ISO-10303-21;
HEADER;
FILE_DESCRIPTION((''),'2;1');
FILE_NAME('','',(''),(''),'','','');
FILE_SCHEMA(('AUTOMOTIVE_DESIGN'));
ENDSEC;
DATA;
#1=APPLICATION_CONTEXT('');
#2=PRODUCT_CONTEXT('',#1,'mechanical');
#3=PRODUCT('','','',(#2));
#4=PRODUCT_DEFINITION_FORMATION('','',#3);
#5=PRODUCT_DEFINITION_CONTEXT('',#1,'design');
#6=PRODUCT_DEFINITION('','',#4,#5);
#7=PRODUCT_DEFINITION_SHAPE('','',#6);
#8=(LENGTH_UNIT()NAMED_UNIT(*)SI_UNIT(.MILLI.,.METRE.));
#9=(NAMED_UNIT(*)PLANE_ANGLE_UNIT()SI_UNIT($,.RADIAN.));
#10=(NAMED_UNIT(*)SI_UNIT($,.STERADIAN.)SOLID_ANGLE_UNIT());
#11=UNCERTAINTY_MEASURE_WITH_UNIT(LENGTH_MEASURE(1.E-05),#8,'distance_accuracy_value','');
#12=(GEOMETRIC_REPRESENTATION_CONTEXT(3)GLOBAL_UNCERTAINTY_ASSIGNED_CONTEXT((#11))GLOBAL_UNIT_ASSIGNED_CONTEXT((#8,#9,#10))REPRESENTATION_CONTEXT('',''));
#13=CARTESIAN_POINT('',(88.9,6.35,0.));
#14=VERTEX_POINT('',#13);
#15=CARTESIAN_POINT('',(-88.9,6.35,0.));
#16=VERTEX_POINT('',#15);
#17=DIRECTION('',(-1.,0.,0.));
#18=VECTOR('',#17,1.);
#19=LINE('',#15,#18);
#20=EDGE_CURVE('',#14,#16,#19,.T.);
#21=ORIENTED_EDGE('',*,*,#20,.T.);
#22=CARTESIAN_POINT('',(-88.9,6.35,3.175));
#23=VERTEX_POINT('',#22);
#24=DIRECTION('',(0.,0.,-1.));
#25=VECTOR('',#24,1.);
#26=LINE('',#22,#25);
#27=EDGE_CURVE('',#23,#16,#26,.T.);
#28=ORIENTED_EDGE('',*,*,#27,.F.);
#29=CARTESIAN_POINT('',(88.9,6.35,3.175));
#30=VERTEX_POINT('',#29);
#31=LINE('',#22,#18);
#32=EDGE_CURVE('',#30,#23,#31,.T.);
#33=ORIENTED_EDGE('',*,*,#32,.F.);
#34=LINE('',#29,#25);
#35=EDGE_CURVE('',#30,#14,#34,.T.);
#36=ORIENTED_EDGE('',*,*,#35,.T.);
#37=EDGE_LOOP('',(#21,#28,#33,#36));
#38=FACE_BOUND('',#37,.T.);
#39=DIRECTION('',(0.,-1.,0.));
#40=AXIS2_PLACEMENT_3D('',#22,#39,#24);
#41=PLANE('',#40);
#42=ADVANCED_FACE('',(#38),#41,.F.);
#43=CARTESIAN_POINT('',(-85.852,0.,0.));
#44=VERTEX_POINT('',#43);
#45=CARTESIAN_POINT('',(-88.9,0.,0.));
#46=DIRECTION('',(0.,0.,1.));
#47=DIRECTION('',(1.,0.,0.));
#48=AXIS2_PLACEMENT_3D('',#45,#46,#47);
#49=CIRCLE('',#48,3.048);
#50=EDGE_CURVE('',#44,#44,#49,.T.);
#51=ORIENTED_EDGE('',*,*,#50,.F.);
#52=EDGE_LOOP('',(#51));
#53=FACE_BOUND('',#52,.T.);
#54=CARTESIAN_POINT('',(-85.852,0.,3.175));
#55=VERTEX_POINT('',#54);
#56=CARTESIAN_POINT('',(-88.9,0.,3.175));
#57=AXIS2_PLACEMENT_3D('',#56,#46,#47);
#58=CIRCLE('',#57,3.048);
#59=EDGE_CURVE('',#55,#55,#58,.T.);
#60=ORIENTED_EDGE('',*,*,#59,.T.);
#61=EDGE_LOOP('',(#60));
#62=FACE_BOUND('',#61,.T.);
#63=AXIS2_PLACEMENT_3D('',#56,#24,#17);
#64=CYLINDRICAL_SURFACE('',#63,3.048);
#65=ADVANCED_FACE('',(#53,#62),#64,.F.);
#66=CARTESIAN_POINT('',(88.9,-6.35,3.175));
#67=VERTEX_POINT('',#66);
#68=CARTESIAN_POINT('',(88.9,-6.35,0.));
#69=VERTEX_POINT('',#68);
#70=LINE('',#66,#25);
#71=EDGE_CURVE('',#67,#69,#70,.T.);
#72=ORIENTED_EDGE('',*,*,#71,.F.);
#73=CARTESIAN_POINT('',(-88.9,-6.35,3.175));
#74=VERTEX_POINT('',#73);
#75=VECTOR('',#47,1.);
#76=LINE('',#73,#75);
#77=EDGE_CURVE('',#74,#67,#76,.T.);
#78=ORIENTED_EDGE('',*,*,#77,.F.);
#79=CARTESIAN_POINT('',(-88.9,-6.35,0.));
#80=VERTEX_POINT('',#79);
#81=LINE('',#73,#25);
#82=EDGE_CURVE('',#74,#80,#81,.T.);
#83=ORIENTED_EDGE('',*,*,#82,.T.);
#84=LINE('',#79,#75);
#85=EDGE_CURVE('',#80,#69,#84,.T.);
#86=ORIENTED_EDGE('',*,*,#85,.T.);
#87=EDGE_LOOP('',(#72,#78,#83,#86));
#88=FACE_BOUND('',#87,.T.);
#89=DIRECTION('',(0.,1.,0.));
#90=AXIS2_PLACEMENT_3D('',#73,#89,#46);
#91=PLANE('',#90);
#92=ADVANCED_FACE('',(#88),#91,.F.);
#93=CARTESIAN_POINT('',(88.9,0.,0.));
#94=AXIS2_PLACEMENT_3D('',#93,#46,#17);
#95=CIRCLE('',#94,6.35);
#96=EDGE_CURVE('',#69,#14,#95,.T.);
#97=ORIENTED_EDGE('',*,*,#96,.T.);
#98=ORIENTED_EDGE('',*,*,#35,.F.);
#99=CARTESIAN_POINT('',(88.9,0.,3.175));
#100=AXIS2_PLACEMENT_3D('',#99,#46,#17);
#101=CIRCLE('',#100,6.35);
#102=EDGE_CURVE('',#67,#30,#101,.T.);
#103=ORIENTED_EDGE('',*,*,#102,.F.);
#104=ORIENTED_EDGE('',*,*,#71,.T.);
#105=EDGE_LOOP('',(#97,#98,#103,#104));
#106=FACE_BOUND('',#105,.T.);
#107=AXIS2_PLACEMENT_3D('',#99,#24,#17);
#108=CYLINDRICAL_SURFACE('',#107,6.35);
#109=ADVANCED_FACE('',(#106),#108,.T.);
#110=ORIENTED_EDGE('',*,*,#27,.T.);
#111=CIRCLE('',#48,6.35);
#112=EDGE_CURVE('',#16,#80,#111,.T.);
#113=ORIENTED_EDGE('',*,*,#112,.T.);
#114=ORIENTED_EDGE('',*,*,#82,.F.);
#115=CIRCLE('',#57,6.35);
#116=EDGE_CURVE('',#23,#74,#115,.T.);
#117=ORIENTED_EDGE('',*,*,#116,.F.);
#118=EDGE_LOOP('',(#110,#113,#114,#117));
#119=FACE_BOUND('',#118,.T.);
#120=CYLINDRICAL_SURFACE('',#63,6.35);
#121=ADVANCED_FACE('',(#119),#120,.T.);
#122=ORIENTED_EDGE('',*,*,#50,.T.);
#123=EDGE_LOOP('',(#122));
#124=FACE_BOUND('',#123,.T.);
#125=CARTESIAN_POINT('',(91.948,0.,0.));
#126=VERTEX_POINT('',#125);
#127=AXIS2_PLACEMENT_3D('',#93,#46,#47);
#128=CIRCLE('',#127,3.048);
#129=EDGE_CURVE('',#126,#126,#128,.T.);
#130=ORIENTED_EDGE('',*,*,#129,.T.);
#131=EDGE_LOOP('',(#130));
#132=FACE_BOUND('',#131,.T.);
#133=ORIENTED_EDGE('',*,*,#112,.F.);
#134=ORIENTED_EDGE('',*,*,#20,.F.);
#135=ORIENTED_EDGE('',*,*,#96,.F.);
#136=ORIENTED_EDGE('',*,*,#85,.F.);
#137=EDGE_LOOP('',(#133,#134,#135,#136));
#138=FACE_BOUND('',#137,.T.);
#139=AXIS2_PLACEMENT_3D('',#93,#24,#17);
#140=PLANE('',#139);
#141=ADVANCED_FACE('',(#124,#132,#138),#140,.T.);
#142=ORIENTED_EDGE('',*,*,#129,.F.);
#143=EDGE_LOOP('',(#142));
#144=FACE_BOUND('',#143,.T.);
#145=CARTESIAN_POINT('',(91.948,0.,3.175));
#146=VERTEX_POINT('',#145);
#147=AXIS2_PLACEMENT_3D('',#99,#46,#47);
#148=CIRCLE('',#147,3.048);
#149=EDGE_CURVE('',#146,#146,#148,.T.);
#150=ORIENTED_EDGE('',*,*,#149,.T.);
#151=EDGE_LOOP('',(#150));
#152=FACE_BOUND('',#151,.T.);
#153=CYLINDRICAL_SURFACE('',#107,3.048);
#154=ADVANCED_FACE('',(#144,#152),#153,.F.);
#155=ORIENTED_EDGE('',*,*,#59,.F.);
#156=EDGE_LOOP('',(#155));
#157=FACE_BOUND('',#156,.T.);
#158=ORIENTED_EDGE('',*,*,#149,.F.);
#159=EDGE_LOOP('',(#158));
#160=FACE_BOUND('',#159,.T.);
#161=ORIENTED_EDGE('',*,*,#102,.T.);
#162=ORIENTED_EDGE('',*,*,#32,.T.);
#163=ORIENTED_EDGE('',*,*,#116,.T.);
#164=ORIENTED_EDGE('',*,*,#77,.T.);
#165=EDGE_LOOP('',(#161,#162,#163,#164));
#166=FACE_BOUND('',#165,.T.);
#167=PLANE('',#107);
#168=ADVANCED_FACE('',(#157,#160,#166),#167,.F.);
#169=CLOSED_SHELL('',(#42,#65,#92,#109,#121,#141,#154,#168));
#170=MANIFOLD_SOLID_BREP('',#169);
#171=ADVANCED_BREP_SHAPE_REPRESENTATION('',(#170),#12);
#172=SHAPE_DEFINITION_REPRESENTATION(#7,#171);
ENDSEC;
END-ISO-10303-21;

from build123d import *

# Parameters (mm, degrees)
SKETCH1_R           = 3.048
BOSS_EXTRUDE1_DEPTH = 3.175


with BuildPart() as part:
    # Sketch1 → Boss-Extrude1 (new body)
    with BuildSketch(Plane.XY):
        with BuildLine():
            Line((-88.9, -6.35), (88.9, -6.35))
            ThreePointArc((88.9, -6.35), (95.25, 0), (88.9, 6.35))
            Line((88.9, 6.35), (-88.9, 6.35))
            ThreePointArc((-88.9, 6.35), (-95.25, 0), (-88.9, -6.35))
        make_face()
        with Locations((-88.9, 0)):
            Circle(SKETCH1_R, mode=Mode.SUBTRACT)
        with Locations((88.9, 0)):
            Circle(SKETCH1_R, mode=Mode.SUBTRACT)
    extrude(amount=BOSS_EXTRUDE1_DEPTH)


solid = part.part
